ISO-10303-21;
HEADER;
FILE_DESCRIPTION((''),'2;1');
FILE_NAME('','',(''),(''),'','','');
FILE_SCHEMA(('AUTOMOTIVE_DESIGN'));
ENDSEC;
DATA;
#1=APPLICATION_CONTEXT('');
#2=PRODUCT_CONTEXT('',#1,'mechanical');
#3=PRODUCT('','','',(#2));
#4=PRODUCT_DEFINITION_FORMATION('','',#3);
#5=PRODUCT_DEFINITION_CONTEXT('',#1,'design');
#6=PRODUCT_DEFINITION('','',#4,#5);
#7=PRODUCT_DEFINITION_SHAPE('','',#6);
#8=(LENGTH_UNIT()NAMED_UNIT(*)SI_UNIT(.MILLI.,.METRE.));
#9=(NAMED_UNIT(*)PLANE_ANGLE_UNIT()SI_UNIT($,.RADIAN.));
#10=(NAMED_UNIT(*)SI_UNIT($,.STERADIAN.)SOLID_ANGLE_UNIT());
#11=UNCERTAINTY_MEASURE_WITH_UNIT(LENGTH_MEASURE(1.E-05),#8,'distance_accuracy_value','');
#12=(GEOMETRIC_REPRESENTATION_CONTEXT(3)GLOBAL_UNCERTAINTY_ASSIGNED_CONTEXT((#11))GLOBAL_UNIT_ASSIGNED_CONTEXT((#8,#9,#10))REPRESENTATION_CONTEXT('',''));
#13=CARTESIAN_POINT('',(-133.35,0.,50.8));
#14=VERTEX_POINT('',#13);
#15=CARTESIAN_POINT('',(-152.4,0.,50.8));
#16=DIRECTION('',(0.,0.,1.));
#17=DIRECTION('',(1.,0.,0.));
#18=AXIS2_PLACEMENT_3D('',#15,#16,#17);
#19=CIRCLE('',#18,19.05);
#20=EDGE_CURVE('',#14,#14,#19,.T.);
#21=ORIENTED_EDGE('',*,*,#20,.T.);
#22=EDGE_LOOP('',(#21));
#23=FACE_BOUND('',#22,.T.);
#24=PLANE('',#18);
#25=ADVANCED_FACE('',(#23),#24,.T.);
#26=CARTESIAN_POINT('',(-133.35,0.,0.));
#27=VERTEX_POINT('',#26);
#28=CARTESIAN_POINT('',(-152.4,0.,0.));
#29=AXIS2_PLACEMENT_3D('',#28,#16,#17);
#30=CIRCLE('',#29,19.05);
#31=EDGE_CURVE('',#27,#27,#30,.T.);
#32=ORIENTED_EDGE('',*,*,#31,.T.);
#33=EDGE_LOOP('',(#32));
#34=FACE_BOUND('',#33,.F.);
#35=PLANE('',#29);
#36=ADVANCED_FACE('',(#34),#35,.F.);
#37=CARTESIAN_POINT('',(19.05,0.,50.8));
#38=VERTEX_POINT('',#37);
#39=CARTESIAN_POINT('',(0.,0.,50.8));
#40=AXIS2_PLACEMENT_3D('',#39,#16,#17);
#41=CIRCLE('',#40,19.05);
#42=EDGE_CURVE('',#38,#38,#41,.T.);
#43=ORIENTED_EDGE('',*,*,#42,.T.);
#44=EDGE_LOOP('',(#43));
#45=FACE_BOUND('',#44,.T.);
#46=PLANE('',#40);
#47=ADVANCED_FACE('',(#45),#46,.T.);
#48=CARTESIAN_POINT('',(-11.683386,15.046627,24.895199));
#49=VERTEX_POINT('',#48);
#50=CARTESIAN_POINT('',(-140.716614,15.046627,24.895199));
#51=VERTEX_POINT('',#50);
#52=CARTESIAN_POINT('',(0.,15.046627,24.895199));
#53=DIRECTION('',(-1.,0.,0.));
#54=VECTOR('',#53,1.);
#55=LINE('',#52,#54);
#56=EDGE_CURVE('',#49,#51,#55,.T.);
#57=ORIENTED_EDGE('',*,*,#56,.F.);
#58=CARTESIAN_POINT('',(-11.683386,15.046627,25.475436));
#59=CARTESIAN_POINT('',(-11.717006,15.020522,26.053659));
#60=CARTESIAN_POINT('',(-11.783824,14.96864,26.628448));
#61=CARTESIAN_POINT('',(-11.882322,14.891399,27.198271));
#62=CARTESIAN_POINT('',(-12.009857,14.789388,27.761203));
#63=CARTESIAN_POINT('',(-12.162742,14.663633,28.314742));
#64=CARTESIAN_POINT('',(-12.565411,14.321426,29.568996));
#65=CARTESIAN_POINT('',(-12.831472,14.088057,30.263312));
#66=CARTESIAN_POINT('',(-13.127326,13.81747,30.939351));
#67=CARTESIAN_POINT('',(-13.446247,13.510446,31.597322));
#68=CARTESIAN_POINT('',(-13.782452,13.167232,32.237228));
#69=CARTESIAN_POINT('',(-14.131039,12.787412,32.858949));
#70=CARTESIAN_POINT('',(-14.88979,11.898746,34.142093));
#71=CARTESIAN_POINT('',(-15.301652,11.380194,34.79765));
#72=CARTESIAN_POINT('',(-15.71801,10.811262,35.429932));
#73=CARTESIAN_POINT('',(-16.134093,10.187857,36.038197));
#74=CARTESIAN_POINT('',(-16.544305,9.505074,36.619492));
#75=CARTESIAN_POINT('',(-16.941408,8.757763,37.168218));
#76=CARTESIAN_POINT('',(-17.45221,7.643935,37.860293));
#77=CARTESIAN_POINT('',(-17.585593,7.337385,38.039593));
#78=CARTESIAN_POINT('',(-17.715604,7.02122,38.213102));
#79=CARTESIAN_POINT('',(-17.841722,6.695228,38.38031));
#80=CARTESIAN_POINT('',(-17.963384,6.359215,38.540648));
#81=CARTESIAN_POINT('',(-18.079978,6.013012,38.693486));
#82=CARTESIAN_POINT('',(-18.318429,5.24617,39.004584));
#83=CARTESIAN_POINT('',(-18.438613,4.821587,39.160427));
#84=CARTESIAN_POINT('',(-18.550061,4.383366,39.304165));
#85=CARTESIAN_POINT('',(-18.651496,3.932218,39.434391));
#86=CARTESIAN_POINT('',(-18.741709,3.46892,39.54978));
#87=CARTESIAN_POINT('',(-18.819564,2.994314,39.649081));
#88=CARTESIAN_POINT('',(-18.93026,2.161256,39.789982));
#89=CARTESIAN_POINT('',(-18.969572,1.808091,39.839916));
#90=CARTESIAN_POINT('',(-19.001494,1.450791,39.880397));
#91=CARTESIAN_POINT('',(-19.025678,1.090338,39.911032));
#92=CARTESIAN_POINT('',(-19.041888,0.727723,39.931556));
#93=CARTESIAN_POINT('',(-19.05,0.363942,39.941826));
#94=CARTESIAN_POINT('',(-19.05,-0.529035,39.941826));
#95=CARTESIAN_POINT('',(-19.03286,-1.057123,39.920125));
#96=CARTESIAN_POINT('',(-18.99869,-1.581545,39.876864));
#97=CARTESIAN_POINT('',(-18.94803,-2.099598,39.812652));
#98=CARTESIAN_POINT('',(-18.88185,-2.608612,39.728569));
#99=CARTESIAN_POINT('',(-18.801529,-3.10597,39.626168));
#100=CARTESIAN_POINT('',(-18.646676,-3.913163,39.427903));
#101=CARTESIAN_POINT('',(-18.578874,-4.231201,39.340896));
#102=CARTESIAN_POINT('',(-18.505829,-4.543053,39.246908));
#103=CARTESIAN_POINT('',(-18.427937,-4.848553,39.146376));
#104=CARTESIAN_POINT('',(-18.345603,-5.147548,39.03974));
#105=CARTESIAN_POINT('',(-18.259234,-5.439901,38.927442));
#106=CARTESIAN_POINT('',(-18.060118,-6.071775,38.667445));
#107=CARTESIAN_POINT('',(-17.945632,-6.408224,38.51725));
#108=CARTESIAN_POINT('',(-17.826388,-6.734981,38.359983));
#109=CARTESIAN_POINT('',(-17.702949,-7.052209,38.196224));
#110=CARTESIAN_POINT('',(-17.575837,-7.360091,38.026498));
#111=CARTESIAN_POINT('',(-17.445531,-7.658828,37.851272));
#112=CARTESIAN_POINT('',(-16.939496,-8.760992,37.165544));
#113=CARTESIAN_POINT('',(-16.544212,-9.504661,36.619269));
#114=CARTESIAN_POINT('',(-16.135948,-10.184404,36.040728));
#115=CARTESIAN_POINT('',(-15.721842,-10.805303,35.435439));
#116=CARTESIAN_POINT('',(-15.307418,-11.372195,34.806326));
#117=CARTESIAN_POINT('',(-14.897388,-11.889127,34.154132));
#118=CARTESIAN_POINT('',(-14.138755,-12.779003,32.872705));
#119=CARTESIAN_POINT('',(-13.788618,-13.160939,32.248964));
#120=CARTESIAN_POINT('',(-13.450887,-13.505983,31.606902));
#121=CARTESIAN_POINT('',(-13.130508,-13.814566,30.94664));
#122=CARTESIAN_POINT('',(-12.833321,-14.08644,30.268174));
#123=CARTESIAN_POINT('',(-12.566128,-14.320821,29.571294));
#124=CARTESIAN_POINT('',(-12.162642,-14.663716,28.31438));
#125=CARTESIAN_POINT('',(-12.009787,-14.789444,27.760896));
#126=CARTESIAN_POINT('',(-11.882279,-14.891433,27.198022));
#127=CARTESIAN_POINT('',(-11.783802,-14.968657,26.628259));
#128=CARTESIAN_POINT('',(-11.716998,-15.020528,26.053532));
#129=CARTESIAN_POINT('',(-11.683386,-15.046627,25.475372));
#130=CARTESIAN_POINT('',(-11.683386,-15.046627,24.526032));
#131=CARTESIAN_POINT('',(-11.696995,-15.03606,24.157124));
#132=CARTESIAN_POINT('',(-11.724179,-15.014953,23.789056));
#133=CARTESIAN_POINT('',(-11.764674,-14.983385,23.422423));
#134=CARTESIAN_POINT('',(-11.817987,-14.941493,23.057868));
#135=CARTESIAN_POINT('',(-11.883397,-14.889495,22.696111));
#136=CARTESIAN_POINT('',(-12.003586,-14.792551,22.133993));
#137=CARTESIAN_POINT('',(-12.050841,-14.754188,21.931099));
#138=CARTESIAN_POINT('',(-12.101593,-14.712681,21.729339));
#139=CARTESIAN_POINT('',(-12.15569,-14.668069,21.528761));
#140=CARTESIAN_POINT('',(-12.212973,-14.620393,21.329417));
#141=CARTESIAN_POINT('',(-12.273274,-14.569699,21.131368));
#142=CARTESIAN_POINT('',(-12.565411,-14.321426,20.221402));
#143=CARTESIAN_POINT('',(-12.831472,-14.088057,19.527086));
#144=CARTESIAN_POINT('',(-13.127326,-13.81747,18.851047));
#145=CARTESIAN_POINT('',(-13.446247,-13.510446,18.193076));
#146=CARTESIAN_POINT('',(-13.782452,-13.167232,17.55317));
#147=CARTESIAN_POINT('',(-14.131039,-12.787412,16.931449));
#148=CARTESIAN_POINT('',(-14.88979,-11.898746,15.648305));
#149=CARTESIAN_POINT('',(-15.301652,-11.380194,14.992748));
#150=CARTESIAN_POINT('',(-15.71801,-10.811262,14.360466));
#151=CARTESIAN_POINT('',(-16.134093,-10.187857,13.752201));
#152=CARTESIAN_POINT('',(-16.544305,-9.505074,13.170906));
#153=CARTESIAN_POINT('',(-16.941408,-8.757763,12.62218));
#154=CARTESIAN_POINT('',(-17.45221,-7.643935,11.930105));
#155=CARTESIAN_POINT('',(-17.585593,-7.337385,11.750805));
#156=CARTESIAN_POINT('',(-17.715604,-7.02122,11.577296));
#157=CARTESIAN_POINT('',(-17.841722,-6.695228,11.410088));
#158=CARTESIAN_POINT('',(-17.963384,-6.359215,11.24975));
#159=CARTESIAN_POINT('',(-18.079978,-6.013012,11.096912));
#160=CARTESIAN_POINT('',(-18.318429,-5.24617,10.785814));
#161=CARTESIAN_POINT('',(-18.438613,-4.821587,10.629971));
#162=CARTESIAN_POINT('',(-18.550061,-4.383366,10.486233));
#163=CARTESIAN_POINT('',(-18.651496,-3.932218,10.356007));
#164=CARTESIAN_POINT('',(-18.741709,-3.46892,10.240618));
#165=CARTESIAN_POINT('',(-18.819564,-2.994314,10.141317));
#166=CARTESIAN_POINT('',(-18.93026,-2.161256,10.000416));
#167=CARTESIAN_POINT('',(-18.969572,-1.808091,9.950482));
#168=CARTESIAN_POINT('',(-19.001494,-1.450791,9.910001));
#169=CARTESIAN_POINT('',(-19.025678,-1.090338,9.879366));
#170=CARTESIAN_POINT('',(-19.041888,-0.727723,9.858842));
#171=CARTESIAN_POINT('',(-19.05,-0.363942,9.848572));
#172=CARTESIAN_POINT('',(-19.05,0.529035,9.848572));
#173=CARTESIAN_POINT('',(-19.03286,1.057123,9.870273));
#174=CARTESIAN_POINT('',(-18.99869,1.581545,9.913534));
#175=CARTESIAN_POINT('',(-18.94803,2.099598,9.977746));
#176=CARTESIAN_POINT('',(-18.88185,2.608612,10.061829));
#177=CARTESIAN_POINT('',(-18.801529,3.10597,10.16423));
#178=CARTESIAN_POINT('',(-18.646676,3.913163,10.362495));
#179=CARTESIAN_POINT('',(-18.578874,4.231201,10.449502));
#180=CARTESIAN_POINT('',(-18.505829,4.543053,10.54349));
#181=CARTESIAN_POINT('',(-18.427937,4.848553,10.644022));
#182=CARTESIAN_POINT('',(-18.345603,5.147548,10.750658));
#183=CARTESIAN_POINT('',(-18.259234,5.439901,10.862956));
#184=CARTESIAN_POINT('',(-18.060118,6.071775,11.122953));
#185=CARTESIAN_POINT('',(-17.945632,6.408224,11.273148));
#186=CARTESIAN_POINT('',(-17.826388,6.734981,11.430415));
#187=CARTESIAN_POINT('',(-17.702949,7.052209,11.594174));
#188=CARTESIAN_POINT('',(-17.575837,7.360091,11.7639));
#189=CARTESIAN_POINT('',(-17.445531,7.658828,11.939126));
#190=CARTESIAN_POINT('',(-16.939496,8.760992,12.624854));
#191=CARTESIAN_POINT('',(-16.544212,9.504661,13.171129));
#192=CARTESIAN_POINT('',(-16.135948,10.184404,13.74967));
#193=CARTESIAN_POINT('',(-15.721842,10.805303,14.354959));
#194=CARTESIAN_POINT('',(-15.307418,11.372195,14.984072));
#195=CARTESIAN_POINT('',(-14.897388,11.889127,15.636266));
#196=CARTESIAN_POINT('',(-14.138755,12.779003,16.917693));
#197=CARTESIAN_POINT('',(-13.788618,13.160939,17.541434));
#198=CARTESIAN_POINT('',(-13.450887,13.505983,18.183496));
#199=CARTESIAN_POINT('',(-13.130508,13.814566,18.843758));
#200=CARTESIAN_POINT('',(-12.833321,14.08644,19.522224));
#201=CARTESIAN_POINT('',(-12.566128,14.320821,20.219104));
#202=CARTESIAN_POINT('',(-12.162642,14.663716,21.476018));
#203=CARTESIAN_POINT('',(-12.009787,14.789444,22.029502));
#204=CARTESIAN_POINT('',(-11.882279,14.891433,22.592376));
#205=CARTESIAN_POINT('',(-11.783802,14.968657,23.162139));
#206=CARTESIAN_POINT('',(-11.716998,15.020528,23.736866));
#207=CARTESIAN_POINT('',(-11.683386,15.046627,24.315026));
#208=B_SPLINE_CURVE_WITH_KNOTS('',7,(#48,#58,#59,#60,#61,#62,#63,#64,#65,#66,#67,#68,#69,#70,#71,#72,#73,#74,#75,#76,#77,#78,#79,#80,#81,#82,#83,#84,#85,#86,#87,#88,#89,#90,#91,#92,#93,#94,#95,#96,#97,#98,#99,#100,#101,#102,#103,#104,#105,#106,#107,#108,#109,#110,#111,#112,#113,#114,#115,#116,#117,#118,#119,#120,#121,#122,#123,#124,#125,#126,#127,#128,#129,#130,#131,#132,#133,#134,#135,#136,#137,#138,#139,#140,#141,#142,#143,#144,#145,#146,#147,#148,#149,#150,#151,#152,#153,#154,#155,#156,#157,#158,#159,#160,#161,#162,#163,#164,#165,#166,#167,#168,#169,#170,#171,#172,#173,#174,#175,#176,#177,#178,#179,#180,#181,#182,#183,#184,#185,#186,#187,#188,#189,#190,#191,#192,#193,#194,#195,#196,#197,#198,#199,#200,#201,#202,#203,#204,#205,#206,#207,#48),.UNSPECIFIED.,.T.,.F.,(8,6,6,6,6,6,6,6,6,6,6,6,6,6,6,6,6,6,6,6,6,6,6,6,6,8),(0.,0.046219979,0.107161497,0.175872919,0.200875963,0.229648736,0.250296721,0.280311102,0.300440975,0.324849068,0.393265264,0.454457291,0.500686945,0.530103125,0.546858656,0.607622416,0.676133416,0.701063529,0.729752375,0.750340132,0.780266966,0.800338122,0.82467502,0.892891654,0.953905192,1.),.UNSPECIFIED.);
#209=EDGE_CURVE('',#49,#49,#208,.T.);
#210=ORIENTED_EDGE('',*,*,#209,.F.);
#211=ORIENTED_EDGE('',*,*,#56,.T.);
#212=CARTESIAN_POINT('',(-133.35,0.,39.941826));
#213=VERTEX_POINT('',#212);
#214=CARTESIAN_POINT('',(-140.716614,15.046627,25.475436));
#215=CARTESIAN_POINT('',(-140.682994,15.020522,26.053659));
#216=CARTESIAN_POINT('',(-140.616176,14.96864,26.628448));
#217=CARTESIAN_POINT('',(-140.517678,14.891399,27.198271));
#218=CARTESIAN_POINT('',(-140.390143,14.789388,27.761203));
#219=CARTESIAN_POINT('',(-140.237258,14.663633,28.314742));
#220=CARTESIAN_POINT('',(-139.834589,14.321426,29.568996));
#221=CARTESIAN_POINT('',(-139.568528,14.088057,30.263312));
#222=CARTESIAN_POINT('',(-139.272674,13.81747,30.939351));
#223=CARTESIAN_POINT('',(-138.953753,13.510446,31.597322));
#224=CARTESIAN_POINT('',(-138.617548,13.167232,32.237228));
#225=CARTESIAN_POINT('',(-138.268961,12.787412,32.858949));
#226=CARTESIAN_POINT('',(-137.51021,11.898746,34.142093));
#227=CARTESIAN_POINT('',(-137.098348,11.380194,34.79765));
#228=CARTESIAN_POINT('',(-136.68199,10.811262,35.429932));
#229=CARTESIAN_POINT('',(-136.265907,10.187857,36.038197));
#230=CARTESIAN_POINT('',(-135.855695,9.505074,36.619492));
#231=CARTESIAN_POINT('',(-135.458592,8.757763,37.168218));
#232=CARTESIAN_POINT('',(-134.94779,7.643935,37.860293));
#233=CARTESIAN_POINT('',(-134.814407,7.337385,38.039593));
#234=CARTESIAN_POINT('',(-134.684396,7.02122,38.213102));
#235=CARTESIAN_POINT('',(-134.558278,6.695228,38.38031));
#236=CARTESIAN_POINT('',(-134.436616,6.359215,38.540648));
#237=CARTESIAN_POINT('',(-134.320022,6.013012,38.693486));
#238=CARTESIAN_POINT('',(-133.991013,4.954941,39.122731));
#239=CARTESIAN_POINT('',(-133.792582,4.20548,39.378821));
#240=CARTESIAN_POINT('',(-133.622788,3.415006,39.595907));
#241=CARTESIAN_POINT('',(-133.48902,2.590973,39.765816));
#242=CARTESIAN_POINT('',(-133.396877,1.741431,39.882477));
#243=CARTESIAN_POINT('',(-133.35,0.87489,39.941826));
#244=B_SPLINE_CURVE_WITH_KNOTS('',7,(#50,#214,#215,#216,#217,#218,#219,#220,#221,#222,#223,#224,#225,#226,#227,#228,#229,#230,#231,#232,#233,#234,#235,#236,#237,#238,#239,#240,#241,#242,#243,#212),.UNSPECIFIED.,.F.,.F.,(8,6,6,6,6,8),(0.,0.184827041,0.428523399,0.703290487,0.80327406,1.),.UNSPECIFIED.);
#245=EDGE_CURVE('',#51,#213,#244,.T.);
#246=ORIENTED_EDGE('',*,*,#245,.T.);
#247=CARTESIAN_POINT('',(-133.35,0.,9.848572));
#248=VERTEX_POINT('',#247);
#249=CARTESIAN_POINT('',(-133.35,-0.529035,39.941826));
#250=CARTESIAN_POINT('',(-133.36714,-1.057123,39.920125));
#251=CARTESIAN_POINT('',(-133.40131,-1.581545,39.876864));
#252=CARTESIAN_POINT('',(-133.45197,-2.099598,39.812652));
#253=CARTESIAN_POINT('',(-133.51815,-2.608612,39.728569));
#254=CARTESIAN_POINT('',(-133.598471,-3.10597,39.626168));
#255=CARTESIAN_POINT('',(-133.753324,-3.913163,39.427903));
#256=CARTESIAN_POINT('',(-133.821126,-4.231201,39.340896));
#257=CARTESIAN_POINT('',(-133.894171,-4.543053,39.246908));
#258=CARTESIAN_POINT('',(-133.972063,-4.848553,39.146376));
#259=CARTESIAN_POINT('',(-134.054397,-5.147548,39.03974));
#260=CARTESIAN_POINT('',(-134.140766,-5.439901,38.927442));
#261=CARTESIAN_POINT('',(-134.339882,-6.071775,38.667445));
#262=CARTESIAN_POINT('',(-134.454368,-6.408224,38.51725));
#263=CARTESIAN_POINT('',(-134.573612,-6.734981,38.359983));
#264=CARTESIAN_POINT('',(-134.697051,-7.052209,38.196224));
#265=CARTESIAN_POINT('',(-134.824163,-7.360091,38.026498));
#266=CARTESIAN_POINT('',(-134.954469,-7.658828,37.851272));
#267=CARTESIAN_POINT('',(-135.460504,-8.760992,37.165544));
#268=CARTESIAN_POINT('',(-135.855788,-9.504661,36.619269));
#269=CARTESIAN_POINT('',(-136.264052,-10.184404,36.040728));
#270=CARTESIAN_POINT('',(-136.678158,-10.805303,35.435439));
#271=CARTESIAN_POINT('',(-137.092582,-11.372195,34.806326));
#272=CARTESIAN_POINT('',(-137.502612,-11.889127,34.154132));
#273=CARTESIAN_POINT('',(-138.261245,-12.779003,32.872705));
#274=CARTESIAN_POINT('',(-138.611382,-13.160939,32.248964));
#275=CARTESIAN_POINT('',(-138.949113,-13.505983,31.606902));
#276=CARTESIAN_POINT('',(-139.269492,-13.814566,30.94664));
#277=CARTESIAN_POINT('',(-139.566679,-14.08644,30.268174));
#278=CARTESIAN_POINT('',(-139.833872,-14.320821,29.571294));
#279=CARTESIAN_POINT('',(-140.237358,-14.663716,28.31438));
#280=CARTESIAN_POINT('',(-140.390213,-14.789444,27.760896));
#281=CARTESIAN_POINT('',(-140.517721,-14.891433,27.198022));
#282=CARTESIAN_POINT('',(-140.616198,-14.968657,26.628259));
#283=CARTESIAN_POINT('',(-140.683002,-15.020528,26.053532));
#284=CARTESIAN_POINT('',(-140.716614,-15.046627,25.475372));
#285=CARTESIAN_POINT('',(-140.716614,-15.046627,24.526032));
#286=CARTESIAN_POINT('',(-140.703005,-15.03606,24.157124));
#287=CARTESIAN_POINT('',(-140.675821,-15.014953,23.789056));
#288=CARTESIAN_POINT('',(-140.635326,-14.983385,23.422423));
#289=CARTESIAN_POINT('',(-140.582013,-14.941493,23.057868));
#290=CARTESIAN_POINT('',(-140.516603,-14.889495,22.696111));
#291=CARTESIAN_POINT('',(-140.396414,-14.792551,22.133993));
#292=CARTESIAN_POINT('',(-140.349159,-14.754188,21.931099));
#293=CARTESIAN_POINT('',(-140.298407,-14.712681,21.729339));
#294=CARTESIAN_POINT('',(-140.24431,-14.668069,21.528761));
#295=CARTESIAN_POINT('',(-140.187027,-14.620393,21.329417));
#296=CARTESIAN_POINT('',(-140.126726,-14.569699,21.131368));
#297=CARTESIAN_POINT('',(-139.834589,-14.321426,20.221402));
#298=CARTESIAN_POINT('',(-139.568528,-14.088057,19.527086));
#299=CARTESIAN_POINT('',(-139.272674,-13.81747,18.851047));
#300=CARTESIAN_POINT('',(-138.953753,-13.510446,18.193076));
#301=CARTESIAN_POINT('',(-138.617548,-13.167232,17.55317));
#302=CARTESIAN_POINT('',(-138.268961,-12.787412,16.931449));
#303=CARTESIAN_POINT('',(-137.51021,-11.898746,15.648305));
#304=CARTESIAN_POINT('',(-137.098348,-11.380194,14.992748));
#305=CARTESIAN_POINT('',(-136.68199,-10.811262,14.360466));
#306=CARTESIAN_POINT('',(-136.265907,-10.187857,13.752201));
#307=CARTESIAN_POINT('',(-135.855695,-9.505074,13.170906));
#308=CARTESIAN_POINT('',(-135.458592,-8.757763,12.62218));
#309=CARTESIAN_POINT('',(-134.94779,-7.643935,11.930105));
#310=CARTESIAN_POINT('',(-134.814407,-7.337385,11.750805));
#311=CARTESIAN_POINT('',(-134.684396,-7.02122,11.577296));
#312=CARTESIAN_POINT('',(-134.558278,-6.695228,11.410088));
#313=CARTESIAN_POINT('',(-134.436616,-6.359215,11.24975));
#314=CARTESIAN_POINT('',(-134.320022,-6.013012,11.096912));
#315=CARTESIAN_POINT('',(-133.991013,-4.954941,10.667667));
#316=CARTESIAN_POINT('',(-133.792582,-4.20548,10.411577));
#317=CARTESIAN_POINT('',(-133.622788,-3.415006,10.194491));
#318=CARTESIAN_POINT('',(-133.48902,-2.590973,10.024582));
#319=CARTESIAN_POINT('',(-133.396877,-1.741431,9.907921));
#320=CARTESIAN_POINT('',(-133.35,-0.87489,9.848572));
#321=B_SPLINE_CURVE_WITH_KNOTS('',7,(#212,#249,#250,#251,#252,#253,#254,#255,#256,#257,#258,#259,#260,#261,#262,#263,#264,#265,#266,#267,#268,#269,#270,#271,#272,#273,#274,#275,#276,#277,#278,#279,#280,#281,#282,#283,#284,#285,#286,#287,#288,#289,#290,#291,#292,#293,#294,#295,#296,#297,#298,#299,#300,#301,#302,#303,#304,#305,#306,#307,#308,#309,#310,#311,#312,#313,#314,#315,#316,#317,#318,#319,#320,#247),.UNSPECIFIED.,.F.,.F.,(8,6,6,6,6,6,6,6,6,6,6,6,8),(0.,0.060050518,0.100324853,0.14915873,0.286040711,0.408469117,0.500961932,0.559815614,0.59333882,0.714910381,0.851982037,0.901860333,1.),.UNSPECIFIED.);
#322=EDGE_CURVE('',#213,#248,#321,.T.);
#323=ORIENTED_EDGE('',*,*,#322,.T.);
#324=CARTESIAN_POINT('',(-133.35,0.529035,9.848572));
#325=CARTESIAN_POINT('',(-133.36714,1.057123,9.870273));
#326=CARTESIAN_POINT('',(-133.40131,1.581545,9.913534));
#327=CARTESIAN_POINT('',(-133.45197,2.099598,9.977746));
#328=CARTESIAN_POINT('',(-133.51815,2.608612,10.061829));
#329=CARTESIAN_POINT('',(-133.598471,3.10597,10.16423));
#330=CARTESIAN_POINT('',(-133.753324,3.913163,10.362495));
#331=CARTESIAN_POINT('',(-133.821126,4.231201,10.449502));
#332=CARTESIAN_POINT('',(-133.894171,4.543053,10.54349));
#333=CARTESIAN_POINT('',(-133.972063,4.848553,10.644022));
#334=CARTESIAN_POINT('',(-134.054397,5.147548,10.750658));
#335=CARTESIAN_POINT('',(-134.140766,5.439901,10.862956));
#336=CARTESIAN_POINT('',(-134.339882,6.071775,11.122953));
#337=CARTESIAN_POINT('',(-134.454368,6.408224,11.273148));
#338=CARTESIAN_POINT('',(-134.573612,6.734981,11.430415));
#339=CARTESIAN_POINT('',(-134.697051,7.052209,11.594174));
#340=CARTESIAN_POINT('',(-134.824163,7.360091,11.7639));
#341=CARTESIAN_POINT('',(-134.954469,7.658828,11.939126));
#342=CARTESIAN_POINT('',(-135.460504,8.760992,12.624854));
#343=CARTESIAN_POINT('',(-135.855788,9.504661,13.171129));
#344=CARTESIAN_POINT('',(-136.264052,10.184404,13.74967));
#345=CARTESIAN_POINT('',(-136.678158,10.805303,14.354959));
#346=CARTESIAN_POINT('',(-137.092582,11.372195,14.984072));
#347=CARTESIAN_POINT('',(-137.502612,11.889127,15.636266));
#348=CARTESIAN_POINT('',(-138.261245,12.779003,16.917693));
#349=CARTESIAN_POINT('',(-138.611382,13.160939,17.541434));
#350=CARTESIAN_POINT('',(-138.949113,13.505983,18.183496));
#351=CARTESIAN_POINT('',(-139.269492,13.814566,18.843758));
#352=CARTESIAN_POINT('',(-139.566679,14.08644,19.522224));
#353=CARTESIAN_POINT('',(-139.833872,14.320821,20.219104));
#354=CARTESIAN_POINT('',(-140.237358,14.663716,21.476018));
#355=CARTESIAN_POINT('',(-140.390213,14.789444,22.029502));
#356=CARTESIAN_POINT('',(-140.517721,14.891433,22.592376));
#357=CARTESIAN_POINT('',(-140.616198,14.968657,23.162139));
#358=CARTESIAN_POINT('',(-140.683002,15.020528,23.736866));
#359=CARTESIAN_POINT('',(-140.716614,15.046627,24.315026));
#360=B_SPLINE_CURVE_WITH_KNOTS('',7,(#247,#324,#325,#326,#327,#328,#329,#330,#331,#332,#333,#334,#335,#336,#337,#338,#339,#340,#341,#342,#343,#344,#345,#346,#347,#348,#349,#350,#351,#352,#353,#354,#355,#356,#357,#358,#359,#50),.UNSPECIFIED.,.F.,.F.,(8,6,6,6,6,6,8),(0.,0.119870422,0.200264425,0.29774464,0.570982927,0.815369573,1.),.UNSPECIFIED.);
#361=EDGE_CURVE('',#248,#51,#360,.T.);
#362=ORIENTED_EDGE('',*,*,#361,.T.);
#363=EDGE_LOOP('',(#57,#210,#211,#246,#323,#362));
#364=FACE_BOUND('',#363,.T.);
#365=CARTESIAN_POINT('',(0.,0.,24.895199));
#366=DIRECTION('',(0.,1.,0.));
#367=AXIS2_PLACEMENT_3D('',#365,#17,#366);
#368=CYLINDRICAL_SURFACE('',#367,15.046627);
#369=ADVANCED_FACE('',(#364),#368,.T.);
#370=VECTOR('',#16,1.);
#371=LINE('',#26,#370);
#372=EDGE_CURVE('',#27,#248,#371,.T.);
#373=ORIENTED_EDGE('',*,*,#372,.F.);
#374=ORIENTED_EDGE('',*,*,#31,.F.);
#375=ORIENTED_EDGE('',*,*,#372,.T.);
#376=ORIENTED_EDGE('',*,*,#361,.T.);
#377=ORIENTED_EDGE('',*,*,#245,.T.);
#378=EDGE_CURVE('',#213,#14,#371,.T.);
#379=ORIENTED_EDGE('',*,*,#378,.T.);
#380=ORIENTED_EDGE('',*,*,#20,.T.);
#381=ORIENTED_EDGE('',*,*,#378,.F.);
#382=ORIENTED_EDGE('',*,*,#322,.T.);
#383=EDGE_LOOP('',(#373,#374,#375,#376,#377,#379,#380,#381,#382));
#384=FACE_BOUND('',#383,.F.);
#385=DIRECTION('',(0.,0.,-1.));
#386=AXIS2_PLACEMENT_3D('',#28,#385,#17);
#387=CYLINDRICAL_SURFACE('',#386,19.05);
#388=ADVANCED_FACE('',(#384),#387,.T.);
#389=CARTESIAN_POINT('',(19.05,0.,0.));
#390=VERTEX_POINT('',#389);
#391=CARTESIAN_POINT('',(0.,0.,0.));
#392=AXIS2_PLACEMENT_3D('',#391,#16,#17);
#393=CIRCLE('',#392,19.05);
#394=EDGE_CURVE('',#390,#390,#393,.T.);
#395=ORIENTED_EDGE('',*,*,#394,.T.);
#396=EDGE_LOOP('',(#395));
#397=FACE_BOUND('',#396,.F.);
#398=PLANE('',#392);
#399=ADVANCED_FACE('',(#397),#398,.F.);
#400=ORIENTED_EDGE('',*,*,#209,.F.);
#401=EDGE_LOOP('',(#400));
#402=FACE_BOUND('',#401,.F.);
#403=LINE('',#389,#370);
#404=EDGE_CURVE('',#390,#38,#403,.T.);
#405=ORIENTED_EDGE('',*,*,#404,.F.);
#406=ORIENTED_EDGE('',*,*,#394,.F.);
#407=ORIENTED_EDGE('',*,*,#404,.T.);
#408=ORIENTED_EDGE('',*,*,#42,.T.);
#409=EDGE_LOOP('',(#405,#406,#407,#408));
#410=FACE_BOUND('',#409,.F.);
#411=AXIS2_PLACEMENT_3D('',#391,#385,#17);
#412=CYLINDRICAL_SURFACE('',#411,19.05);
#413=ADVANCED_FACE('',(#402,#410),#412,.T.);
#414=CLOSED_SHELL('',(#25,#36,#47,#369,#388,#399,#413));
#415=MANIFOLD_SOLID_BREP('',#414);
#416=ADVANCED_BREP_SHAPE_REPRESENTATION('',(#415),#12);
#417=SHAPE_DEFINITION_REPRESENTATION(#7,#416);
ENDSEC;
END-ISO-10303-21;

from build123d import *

# Parameters (mm, degrees)
F0_R     = 19.05
F1_DEPTH = 50.8
F2_R     = 15.046627
F3_DEPTH = 152.4


with BuildPart() as f1:
    # F0 (on Top) → F1 (new body)
    with BuildSketch(Plane.XY):
        Circle(F0_R)
        with Locations((-152.4, 0)):
            Circle(F0_R)
    extrude(amount=F1_DEPTH)

    # F2 (on Right) → F3 (join)
    with BuildSketch(Plane.YZ):
        with Locations((0, 24.895199)):
            Circle(F2_R)
    extrude(amount=-F3_DEPTH)


solid = f1.part
